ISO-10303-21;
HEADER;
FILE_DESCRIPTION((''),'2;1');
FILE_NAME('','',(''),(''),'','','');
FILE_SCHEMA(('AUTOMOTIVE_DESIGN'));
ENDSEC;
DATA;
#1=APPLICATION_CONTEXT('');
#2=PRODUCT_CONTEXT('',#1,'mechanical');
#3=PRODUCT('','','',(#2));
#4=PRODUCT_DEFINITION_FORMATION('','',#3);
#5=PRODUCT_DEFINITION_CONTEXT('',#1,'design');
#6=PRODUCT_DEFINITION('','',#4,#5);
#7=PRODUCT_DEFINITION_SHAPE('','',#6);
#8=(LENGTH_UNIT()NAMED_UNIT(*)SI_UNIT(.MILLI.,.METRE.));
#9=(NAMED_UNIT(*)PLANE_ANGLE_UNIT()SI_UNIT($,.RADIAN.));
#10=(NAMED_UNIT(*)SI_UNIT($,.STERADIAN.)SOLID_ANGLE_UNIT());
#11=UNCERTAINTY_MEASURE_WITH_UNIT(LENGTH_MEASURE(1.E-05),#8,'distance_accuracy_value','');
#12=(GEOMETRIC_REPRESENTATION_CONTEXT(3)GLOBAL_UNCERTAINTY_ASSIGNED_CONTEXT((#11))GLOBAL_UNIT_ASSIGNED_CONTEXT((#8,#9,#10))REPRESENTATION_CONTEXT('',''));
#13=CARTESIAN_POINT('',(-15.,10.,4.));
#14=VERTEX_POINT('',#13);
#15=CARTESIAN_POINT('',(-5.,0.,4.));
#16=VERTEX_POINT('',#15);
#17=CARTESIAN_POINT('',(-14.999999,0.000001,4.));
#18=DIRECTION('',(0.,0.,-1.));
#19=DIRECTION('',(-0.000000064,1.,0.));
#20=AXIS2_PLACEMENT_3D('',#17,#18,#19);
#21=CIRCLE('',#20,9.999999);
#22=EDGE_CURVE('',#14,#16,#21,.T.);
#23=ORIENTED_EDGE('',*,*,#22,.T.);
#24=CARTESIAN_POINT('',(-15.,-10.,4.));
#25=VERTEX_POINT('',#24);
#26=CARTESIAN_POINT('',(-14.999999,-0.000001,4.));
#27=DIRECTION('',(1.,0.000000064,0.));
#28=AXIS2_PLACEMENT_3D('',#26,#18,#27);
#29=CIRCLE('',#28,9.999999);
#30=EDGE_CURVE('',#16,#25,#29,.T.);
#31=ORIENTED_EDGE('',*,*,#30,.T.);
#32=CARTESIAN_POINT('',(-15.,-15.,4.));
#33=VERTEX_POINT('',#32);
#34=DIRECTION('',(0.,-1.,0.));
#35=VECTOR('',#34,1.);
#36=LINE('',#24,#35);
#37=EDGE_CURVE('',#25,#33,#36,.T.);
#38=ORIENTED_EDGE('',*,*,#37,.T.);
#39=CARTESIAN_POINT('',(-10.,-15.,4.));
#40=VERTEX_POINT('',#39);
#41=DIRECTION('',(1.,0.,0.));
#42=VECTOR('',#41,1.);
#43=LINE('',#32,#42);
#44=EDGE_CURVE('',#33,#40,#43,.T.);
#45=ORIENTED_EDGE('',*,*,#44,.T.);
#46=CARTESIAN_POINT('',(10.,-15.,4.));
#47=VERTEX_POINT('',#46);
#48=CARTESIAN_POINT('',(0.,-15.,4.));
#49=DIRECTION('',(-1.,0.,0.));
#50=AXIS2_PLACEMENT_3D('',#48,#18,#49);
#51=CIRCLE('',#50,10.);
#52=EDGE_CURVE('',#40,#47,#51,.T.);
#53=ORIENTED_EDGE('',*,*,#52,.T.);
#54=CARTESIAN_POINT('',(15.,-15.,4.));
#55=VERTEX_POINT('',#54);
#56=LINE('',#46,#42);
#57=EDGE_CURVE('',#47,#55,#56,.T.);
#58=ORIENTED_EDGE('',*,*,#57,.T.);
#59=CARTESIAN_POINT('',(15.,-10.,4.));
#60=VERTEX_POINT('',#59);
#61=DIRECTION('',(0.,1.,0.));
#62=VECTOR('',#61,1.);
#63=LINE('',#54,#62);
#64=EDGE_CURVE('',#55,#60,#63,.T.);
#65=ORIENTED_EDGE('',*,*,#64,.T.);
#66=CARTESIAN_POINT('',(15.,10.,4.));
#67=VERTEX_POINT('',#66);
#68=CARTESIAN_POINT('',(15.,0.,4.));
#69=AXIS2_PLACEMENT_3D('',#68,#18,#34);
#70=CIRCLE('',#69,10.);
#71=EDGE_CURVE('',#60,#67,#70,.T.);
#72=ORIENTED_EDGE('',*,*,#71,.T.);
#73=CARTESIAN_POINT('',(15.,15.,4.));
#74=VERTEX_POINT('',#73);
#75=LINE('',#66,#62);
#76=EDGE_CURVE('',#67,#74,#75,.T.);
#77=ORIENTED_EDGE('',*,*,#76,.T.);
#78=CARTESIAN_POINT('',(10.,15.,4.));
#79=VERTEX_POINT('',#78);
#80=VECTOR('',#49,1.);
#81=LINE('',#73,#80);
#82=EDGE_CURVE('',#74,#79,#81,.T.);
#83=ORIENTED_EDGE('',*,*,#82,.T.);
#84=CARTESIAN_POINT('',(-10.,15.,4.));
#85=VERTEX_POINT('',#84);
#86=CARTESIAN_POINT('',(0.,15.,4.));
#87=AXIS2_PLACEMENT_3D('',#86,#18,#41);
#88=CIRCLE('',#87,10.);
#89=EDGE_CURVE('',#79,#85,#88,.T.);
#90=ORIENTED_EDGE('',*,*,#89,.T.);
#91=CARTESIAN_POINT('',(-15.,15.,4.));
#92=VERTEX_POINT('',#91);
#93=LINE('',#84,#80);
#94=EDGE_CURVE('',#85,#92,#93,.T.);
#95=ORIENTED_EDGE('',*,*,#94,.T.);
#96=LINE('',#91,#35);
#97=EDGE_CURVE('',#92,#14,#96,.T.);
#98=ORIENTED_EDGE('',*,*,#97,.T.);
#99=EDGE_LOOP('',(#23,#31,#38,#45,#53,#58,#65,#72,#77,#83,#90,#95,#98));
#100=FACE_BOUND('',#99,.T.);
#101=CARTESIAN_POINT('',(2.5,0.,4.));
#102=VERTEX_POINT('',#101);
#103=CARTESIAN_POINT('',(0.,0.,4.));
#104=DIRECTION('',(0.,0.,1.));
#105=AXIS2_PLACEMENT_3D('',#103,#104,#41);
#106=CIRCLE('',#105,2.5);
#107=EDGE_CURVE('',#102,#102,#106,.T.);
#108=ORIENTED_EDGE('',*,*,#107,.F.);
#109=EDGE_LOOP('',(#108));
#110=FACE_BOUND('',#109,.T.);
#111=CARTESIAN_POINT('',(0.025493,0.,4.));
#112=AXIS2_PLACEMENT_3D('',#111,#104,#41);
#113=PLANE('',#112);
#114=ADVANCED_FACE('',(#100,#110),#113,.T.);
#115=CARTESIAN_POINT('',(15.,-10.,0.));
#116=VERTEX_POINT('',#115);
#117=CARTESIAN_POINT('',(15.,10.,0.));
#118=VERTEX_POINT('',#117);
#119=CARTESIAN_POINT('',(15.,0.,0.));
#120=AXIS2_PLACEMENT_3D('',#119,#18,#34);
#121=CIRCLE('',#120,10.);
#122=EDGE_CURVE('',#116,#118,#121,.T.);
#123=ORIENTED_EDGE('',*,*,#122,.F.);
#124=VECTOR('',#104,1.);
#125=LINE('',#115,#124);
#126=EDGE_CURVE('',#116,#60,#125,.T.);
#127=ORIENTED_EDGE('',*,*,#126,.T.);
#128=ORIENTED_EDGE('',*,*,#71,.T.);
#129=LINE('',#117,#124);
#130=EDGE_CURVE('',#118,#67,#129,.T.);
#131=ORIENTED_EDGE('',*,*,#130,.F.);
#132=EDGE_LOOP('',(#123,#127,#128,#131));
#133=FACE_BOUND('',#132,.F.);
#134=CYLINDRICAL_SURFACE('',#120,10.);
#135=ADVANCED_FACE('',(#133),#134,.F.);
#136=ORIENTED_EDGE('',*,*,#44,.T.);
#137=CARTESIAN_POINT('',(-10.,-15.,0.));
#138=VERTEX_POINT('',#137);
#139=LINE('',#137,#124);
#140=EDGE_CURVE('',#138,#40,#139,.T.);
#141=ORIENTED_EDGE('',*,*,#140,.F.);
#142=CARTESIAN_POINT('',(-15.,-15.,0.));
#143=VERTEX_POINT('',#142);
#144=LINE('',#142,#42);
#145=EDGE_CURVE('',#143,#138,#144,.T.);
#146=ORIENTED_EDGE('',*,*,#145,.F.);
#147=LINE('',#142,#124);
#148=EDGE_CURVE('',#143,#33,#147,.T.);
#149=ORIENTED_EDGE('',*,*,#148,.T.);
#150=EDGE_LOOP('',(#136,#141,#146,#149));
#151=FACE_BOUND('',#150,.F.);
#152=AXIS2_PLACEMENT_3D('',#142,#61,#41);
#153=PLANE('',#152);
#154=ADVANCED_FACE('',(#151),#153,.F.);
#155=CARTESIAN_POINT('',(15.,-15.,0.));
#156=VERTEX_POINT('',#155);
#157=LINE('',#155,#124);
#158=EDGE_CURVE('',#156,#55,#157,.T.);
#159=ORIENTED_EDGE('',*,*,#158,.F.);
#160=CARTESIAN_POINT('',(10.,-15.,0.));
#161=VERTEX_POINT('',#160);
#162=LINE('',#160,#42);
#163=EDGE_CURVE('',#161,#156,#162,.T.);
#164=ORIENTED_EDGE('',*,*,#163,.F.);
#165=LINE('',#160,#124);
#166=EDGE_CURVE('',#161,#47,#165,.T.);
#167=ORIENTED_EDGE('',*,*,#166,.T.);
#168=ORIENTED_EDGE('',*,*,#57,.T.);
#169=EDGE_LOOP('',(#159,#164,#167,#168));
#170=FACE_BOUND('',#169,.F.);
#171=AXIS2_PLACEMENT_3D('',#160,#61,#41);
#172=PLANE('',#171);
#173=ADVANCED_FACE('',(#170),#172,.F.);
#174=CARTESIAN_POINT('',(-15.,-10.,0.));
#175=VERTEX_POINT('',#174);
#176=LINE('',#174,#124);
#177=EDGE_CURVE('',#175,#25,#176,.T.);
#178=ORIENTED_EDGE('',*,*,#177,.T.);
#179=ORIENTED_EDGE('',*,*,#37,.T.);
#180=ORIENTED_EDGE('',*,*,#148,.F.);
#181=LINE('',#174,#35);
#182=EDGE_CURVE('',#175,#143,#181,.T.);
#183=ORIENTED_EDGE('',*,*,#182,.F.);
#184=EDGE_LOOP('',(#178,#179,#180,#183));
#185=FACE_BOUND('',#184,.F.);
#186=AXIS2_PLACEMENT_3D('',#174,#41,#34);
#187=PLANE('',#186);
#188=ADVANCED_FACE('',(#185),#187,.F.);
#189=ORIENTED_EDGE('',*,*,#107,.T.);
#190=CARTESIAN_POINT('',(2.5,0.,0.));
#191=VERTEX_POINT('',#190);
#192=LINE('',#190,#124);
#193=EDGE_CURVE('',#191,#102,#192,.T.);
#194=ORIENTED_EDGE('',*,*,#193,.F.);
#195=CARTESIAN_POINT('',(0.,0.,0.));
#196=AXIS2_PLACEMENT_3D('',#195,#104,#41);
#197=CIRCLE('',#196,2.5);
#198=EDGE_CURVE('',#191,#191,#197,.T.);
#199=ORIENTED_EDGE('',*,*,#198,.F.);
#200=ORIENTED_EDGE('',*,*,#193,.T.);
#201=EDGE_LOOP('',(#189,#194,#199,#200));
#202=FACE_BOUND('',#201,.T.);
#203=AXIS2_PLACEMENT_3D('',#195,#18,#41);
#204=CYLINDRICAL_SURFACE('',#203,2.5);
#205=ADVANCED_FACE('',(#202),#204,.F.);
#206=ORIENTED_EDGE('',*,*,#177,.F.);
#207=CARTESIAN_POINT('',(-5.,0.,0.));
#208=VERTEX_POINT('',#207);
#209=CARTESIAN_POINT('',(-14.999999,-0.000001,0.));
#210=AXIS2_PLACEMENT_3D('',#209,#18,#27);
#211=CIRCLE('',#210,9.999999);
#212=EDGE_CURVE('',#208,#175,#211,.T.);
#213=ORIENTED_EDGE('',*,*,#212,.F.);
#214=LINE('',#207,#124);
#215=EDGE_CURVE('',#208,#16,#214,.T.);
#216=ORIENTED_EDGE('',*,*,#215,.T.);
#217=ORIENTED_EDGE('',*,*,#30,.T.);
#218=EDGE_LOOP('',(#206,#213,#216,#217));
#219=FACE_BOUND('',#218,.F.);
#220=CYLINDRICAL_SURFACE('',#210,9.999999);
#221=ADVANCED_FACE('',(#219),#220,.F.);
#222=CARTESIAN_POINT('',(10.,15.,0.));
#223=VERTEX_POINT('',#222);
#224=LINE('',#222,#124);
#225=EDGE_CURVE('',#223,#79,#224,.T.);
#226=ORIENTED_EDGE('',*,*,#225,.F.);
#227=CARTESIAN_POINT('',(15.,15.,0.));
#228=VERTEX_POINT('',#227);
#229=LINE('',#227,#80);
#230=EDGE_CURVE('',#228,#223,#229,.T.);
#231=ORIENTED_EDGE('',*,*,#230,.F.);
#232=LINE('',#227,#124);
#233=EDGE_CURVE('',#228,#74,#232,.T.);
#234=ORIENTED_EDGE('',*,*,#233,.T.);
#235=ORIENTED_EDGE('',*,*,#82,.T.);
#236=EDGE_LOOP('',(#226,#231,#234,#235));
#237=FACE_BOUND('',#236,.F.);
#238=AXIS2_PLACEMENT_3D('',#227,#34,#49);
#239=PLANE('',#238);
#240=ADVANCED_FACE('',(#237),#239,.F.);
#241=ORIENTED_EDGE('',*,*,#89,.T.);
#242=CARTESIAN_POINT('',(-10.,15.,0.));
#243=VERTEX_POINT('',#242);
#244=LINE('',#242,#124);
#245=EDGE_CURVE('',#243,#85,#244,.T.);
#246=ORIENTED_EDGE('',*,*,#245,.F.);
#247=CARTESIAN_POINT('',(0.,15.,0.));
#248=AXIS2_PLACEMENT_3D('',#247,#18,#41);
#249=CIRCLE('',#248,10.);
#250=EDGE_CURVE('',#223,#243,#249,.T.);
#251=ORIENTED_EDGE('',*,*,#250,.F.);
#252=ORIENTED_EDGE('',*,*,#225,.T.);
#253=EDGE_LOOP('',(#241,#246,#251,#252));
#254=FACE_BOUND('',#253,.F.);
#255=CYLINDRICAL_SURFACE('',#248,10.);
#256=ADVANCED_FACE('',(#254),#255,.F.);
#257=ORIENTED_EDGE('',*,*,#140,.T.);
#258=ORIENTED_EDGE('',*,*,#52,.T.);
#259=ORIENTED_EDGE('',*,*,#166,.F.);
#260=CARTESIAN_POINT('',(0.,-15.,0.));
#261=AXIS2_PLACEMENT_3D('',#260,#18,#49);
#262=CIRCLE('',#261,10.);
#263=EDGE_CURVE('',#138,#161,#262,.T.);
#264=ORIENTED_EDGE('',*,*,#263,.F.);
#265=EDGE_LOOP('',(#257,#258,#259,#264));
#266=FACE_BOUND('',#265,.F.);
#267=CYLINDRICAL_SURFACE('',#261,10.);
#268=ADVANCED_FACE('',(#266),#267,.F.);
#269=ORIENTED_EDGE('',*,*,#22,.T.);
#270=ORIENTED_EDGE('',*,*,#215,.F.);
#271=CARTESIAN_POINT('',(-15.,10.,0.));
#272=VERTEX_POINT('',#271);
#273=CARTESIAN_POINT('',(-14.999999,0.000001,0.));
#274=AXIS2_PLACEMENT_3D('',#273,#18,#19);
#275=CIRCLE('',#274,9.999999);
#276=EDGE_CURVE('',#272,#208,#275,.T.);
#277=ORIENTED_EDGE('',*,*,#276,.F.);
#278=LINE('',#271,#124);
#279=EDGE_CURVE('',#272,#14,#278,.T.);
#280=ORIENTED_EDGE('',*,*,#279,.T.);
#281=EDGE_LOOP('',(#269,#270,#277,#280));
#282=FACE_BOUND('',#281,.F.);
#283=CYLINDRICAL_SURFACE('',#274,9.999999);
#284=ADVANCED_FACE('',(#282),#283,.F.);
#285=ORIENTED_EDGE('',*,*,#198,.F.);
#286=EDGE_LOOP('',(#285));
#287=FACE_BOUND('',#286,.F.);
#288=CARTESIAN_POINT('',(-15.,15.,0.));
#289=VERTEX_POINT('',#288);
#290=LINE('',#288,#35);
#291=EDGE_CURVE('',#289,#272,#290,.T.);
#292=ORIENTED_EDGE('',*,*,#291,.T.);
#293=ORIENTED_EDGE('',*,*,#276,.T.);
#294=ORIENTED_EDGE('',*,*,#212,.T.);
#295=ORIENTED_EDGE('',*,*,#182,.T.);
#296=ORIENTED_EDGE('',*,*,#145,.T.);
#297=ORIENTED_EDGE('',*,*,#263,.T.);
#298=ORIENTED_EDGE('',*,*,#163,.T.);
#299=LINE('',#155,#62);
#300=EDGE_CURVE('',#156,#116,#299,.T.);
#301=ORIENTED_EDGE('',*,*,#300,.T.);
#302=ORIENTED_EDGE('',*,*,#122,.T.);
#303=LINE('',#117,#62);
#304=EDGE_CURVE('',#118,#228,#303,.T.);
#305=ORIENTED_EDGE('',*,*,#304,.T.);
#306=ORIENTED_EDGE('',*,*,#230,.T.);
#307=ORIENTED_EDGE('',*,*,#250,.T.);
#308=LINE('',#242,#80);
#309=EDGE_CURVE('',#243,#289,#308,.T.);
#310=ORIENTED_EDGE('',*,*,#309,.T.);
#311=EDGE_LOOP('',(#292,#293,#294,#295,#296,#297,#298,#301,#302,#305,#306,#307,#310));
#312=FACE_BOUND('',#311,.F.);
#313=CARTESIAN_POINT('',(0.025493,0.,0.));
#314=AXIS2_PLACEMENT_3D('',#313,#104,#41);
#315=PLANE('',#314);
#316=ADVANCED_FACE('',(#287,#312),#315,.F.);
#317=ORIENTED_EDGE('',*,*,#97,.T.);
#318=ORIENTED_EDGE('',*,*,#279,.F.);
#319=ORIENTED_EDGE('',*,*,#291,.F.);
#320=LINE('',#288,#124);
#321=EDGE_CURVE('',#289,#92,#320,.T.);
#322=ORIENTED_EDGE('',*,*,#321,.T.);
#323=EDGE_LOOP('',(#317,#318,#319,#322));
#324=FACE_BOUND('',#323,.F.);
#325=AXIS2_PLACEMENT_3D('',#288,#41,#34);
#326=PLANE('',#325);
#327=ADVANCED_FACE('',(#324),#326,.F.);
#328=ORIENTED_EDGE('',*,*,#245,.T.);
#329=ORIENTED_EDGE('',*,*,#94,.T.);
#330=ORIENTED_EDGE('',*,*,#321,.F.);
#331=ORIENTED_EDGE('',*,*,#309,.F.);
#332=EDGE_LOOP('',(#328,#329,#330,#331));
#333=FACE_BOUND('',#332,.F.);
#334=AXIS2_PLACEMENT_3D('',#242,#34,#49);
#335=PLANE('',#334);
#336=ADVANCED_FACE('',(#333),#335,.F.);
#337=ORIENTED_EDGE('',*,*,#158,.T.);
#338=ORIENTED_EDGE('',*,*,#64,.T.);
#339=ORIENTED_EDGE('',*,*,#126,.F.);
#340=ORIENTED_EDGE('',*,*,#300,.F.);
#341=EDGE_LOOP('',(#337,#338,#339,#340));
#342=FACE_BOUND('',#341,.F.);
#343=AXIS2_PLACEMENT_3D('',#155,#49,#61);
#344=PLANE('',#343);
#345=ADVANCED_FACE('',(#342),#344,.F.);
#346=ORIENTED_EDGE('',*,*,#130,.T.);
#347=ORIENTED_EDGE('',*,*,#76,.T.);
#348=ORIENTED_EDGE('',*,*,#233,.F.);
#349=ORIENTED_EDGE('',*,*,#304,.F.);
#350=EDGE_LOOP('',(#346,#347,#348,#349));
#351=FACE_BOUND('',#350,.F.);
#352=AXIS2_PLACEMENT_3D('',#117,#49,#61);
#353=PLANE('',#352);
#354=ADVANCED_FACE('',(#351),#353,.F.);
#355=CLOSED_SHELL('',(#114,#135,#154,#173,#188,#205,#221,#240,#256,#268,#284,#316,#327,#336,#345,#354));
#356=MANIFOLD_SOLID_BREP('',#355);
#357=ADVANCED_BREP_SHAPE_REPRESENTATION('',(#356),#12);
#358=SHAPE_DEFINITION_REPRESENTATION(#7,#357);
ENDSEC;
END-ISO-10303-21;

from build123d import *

# Parameters (mm, degrees)
F0_R     = 2.5
F1_DEPTH = 4


with BuildPart() as f1:
    # F0 (on Top) → F1 (new body)
    with BuildSketch(Plane.XY):
        with BuildLine():
            Line((15, 10), (15, 15))
            Line((15, 15), (10, 15))
            ThreePointArc((10, 15), (0, 5), (-10, 15))
            Line((-10, 15), (-15, 15))
            Line((-15, 15), (-15, 10))
            ThreePointArc((-15, 10), (-7.928932, 7.071068), (-5, 0))
            ThreePointArc((-5, 0), (-7.928932, -7.071068), (-15, -10))
            Line((-15, -10), (-15, -15))
            Line((-15, -15), (-10, -15))
            ThreePointArc((-10, -15), (0, -5), (10, -15))
            Line((10, -15), (15, -15))
            Line((15, -15), (15, -10))
            ThreePointArc((15, -10), (5, 0), (15, 10))
        make_face()
        Circle(F0_R, mode=Mode.SUBTRACT)
    extrude(amount=F1_DEPTH)


solid = f1.part
